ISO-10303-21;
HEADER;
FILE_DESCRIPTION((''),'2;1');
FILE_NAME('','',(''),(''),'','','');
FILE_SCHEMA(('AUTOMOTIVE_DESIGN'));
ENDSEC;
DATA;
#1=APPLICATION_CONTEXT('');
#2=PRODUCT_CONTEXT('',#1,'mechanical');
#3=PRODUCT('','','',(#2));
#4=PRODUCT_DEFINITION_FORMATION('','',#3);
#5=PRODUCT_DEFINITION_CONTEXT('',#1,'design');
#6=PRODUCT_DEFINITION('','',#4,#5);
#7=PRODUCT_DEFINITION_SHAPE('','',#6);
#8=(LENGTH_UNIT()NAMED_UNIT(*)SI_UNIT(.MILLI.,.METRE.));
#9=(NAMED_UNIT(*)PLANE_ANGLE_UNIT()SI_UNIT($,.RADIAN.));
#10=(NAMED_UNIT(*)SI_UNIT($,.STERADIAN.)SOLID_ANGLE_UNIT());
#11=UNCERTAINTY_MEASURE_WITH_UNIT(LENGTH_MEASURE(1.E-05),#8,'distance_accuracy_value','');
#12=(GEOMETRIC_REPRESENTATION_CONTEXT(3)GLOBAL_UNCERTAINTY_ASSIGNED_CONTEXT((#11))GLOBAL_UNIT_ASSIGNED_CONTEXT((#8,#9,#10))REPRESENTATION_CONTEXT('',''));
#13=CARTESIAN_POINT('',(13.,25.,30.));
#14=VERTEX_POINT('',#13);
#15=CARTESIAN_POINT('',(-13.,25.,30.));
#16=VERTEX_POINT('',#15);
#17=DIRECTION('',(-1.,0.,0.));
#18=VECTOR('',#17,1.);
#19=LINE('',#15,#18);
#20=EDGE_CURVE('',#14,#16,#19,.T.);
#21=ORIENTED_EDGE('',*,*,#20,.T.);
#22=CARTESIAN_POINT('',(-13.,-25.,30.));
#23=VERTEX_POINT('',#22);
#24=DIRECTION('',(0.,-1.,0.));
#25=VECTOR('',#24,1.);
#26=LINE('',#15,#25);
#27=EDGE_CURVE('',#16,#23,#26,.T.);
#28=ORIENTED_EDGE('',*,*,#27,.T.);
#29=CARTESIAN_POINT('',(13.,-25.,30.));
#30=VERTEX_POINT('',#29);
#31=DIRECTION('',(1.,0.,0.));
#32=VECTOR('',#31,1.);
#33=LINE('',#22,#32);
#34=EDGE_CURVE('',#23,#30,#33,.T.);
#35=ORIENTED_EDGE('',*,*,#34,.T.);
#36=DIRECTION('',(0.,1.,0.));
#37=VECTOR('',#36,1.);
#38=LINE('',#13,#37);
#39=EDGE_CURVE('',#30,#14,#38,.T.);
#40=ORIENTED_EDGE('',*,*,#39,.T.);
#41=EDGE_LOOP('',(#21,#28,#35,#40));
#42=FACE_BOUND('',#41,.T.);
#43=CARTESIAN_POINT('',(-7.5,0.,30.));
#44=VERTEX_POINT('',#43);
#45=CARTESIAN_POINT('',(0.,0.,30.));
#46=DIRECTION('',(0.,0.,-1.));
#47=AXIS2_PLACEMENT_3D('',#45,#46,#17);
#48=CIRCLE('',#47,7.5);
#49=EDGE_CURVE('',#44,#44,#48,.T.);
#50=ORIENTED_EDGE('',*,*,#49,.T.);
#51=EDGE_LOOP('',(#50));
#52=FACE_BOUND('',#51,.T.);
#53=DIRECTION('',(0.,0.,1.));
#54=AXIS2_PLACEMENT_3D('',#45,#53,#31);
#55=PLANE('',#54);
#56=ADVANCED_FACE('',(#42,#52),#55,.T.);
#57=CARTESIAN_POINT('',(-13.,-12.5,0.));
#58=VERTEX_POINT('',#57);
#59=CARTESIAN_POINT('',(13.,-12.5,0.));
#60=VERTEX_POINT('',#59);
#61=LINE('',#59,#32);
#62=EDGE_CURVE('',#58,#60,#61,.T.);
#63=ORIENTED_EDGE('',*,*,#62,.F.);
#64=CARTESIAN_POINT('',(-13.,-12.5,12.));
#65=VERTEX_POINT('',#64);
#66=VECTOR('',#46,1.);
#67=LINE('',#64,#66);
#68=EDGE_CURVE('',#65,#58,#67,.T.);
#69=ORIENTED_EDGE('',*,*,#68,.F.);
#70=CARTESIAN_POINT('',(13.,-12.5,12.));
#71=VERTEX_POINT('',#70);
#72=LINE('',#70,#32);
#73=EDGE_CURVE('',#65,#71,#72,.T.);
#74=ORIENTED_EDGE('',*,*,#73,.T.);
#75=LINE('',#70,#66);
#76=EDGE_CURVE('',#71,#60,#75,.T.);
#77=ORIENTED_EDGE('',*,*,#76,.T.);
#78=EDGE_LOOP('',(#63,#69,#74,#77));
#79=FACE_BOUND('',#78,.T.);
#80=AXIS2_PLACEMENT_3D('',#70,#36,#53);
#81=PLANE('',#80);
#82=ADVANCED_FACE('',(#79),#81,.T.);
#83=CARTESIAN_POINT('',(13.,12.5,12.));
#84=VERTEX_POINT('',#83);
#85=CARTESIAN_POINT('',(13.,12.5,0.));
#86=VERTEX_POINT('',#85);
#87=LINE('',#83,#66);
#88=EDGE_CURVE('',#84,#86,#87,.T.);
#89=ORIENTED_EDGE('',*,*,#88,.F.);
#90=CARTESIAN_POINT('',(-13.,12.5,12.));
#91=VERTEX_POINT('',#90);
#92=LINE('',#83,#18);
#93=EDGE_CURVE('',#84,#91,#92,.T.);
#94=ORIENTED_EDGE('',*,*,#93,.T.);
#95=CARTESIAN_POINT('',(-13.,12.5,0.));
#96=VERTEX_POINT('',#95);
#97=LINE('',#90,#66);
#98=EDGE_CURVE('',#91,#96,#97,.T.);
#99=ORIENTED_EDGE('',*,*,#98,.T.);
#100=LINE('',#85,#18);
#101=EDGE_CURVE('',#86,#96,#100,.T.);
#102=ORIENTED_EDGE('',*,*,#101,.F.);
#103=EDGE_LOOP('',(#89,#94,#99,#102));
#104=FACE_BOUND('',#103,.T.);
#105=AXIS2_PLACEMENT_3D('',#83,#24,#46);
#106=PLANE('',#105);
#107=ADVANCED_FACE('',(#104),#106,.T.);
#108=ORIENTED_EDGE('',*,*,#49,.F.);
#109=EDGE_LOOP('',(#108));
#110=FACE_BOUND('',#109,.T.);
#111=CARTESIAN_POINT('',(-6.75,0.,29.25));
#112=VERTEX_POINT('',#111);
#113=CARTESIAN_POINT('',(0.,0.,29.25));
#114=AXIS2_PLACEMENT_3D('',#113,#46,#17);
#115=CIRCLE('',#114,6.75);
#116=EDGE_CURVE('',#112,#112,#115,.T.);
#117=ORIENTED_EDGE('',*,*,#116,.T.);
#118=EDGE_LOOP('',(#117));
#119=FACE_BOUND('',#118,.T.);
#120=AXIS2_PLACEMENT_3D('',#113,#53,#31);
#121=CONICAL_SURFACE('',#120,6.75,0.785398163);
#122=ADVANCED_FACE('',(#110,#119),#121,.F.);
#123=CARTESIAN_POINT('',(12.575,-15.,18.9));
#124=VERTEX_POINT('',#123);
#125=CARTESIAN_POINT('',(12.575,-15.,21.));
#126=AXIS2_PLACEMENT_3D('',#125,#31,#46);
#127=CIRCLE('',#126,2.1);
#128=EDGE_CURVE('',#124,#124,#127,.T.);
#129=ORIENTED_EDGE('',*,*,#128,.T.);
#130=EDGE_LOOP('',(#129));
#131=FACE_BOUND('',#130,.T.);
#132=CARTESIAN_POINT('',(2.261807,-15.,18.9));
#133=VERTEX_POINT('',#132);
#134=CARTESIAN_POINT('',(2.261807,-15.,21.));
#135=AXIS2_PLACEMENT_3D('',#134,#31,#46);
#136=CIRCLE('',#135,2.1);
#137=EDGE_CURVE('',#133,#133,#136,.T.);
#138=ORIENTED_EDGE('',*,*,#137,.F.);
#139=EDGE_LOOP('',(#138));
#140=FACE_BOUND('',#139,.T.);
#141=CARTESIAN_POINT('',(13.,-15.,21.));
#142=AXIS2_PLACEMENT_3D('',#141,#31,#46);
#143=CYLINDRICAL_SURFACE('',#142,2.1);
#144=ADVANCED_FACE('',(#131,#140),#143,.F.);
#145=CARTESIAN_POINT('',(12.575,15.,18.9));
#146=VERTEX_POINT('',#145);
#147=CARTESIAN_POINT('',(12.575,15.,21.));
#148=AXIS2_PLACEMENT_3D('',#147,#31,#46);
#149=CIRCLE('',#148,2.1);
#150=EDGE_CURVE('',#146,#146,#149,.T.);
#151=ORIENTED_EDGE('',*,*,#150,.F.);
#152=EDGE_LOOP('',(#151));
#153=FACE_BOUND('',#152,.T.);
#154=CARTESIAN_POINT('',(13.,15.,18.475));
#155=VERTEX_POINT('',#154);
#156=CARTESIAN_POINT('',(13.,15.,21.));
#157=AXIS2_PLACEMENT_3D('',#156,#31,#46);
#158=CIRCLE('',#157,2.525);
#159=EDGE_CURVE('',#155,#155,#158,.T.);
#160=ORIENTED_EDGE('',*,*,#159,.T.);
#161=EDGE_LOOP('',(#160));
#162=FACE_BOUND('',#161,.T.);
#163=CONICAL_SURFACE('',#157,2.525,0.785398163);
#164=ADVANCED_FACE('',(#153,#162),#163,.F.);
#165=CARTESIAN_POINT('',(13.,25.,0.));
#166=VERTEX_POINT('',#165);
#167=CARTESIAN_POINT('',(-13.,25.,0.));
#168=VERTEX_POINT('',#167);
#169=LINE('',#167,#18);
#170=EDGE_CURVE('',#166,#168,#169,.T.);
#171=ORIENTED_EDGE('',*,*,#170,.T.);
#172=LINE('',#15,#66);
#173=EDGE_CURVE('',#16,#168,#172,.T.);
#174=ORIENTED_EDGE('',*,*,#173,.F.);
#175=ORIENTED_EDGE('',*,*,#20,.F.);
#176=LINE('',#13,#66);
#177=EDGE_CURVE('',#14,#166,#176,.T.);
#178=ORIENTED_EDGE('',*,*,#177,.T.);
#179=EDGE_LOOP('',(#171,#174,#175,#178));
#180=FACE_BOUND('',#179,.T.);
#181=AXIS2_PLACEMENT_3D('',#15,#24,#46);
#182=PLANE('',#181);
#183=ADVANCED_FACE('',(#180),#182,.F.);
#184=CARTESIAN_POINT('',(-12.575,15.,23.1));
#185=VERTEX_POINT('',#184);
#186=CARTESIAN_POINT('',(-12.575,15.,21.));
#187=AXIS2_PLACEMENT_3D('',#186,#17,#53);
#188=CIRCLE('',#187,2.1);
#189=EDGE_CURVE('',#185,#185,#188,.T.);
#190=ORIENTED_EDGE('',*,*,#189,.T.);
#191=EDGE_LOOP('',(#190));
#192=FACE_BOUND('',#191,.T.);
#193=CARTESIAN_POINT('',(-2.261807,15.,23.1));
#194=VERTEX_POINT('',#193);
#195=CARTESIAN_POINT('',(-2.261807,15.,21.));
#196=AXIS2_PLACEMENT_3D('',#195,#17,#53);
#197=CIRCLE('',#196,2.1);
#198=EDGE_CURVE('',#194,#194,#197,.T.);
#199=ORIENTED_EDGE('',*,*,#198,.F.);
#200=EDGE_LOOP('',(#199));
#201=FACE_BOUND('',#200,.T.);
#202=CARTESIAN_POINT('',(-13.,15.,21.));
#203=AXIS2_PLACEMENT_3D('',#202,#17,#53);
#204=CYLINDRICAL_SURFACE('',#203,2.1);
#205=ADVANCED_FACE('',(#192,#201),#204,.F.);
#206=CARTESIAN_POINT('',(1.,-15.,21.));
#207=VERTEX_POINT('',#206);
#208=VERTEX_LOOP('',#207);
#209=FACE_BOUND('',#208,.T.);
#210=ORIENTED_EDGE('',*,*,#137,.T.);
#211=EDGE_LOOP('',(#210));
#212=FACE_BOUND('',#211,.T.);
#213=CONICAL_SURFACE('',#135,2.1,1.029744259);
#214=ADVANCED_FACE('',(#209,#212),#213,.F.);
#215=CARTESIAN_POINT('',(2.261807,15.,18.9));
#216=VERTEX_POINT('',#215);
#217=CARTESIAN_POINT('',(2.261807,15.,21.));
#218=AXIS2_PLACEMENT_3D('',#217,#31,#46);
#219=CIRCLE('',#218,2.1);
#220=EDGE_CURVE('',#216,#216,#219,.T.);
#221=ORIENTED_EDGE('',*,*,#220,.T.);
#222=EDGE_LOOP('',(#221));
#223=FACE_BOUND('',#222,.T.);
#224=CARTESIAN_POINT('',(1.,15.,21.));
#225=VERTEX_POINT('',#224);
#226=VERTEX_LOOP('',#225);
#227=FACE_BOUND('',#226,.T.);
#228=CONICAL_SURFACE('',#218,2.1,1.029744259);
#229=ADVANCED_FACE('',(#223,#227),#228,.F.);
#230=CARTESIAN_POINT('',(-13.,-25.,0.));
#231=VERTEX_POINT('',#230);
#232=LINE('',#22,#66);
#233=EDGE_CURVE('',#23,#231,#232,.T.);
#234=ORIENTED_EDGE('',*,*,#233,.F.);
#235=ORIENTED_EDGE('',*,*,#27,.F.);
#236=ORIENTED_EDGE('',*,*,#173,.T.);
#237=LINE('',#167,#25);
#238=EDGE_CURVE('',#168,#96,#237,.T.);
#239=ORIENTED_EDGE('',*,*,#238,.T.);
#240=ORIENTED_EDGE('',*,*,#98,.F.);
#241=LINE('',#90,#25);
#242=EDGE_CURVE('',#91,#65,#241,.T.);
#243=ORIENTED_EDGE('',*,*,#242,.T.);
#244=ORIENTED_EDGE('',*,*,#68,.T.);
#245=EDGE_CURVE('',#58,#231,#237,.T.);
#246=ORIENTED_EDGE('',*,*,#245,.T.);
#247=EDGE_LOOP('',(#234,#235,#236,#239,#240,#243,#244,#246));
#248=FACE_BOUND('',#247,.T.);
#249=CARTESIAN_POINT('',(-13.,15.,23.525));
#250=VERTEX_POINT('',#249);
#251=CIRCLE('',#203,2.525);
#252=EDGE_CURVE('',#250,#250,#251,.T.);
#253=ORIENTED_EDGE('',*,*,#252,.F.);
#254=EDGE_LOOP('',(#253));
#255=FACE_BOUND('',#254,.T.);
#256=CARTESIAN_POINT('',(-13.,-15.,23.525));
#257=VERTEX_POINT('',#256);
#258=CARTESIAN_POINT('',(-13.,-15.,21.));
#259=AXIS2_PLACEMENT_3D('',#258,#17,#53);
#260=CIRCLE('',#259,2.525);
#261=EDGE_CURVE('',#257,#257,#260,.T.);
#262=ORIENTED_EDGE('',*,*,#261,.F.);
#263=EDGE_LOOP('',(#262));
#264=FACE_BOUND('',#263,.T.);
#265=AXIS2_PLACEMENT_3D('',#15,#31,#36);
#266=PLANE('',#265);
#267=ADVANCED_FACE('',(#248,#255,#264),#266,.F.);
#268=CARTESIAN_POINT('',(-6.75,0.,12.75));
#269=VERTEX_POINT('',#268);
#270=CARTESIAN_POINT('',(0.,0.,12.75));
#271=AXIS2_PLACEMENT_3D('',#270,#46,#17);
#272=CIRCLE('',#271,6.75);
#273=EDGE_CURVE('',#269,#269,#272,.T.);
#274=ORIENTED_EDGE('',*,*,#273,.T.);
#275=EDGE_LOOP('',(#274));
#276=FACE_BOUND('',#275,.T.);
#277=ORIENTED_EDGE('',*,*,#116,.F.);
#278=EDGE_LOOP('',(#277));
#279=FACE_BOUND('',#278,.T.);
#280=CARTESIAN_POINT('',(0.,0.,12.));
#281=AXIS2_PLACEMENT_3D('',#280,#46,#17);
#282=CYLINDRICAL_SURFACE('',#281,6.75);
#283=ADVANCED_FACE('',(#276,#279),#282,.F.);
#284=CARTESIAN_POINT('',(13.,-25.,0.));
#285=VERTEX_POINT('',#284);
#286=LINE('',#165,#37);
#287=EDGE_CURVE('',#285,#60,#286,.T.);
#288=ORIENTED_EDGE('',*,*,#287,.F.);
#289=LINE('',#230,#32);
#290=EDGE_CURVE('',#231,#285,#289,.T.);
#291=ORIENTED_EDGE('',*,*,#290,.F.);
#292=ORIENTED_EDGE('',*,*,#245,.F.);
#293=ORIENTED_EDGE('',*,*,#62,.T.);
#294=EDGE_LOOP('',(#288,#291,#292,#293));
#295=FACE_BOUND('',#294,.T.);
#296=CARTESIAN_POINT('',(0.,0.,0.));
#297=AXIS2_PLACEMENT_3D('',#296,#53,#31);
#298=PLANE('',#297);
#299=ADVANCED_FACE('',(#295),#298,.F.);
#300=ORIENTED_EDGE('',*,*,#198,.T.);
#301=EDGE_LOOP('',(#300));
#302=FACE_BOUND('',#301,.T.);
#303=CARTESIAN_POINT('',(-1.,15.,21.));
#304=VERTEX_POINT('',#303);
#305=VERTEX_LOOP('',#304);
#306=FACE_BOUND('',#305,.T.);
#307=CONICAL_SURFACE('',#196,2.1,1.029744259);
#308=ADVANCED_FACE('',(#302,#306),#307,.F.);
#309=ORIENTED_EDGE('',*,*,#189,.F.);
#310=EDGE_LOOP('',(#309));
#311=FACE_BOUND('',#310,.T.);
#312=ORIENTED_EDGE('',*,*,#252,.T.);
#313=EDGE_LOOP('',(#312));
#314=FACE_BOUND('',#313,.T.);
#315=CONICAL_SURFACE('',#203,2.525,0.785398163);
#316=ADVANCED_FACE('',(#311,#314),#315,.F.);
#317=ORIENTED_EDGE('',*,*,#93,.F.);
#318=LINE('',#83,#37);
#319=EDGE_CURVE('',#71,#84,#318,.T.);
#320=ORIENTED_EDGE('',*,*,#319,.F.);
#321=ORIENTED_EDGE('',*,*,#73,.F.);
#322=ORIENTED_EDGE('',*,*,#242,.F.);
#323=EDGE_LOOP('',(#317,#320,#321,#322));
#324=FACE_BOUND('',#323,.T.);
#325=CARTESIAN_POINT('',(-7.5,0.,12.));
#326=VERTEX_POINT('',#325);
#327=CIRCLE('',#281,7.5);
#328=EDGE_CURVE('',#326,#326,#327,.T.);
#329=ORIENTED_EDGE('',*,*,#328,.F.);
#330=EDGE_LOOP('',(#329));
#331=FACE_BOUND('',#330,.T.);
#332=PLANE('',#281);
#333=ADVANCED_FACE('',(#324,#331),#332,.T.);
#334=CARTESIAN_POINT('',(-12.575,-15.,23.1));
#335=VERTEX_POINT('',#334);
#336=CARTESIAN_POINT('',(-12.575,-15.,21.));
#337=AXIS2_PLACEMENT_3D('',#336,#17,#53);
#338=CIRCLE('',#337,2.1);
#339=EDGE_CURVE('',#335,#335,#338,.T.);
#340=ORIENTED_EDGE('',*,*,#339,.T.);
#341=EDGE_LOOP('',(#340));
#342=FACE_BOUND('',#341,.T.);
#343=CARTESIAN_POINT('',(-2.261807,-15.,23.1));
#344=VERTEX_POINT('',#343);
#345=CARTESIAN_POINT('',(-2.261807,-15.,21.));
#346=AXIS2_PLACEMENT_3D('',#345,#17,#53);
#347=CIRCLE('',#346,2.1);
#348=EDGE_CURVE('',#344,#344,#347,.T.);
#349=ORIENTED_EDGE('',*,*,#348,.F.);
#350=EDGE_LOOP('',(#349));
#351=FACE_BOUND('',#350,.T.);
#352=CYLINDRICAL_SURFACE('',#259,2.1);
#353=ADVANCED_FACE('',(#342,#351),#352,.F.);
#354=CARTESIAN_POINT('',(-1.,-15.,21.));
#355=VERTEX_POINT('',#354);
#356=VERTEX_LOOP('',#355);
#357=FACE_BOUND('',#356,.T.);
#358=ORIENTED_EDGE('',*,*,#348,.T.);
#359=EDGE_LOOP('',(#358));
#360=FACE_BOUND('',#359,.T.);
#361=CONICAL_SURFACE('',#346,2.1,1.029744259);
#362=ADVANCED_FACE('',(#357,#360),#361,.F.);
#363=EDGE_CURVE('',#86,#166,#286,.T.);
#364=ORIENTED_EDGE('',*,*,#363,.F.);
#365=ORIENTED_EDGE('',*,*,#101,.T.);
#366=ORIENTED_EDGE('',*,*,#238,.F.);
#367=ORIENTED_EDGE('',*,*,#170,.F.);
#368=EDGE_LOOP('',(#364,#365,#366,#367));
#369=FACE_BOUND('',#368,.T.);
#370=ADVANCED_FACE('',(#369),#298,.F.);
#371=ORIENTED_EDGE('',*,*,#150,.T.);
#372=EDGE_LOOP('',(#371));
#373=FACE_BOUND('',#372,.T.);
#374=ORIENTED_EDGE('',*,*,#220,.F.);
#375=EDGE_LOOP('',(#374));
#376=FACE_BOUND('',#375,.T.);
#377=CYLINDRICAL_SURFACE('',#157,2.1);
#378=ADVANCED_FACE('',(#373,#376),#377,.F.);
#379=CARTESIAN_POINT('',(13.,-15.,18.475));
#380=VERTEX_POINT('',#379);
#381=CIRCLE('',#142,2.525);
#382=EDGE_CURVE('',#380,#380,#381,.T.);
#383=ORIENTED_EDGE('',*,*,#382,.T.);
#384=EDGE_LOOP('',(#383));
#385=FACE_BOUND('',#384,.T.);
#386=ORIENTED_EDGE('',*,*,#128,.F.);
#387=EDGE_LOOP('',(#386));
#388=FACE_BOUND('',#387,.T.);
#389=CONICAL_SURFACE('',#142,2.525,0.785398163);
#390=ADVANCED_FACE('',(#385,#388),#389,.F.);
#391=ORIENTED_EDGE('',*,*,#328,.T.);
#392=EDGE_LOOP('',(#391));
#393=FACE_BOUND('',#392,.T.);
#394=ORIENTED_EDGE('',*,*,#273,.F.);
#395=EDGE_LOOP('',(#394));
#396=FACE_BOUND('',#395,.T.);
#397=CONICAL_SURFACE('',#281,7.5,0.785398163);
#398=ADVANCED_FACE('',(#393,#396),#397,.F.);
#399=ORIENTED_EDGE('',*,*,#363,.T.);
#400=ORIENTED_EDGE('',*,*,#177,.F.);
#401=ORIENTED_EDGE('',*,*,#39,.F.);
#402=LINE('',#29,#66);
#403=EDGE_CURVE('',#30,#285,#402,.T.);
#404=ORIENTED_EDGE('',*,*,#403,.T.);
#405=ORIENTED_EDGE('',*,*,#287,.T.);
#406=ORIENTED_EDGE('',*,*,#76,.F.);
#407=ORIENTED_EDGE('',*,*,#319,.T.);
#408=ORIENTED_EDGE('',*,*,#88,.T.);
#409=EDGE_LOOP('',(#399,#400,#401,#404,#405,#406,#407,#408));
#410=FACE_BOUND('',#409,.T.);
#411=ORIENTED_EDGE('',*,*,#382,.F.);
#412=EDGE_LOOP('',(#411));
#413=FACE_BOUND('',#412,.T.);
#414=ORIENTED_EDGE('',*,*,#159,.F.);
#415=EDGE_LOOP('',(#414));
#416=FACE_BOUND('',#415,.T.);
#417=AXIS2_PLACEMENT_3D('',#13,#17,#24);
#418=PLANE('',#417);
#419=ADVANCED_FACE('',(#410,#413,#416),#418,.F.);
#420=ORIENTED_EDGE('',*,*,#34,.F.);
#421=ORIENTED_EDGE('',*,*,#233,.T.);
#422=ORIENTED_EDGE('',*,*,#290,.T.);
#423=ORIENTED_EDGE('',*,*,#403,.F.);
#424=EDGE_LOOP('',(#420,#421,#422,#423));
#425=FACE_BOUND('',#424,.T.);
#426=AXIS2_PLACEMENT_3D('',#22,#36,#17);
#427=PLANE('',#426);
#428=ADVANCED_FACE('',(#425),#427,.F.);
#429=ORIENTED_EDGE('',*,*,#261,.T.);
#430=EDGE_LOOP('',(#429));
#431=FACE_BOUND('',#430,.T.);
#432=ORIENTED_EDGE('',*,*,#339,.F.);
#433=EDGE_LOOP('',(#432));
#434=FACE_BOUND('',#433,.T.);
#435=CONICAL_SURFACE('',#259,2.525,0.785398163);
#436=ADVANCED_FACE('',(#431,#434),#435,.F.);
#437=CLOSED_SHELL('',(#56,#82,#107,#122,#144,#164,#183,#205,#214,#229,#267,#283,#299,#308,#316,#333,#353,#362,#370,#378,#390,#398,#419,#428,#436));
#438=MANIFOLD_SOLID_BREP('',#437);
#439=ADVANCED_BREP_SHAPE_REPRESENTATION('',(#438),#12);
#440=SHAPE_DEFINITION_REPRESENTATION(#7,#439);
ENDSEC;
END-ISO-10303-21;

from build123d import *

# Parameters (mm, degrees)
SKETCH1_W                      = 26
SKETCH1_H                      = 50
BOSS_EXTRUDE1_DEPTH            = 30
SKETCH2_W                      = 26
SKETCH2_H                      = 25
CUT_EXTRUDE1_DEPTH             = 12
M5X0_8_TAPPED_HOLE1_AT_2_COUNT = 2
M5X0_8_TAPPED_HOLE1_AT_2_PITCH = 30


with BuildPart() as part:
    # Sketch1 → Boss-Extrude1 (new body)
    with BuildSketch(Plane.XY):
        Rectangle(SKETCH1_W, SKETCH1_H)
    extrude(amount=BOSS_EXTRUDE1_DEPTH)

    # Sketch2 → Cut-Extrude1 (cut)
    with BuildSketch(Plane.XY):
        Rectangle(SKETCH2_W, SKETCH2_H)
    extrude(amount=CUT_EXTRUDE1_DEPTH, mode=Mode.SUBTRACT)

    # Sketch8 → M12 Clearance Hole1 (revolve, cut)
    with BuildSketch(Plane(origin=(0, 0, 12), x_dir=(0, 1, 0), z_dir=(1, 0, 0))):
        Polygon((0, 0), (0, 18), (7.5, 18), (6.75, 17.25), (6.75, 0.75), (7.5, 0), align=None)
    revolve(axis=Axis((0, 0, 5.65), (0, 0, 1)), mode=Mode.SUBTRACT)

    # Sketch11 → M5x0.8 Tapped Hole1 (revolve, cut)
    with BuildSketch(Plane(origin=(13, 15, 21), x_dir=(0, 0, -1), z_dir=(0, 1, 0))):
        Polygon((0, 0), (0, 12), (2.1, 10.7381927), (2.1, 0.425), (2.525, 0), align=None)
    m5x0_8_tapped_hole1 = revolve(axis=Axis((19.35, 15, 21), (-1, 0, 0)), mode=Mode.SUBTRACT)

    # M5x0.8 Tapped Hole1 at 2: M5x0.8 Tapped Hole1 ×2
    with Locations(*[(0, -i * M5X0_8_TAPPED_HOLE1_AT_2_PITCH, 0) for i in range(1, M5X0_8_TAPPED_HOLE1_AT_2_COUNT)]):
        add(m5x0_8_tapped_hole1, mode=Mode.SUBTRACT)

    # Mirror1: M5x0.8 Tapped Hole1 across plane
    add(m5x0_8_tapped_hole1.mirror(Plane(origin=(0, 0, 0), x_dir=(0, 0, 1), z_dir=(1, 0, 0))), mode=Mode.SUBTRACT)

    # Mirror1 copy 1 sketch → Mirror1 copy 1 (revolve, cut)
    with BuildSketch(Plane(origin=(-13, -15, 21), x_dir=(0, 0, -1), z_dir=(0, 1, 0))):
        Polygon((0, 0), (0, -12), (2.1, -10.7381927), (2.1, -0.425), (2.525, 0), align=None)
    revolve(axis=Axis((-19.35, -15, 21), (-1, 0, 0)), mode=Mode.SUBTRACT)


solid = part.part
